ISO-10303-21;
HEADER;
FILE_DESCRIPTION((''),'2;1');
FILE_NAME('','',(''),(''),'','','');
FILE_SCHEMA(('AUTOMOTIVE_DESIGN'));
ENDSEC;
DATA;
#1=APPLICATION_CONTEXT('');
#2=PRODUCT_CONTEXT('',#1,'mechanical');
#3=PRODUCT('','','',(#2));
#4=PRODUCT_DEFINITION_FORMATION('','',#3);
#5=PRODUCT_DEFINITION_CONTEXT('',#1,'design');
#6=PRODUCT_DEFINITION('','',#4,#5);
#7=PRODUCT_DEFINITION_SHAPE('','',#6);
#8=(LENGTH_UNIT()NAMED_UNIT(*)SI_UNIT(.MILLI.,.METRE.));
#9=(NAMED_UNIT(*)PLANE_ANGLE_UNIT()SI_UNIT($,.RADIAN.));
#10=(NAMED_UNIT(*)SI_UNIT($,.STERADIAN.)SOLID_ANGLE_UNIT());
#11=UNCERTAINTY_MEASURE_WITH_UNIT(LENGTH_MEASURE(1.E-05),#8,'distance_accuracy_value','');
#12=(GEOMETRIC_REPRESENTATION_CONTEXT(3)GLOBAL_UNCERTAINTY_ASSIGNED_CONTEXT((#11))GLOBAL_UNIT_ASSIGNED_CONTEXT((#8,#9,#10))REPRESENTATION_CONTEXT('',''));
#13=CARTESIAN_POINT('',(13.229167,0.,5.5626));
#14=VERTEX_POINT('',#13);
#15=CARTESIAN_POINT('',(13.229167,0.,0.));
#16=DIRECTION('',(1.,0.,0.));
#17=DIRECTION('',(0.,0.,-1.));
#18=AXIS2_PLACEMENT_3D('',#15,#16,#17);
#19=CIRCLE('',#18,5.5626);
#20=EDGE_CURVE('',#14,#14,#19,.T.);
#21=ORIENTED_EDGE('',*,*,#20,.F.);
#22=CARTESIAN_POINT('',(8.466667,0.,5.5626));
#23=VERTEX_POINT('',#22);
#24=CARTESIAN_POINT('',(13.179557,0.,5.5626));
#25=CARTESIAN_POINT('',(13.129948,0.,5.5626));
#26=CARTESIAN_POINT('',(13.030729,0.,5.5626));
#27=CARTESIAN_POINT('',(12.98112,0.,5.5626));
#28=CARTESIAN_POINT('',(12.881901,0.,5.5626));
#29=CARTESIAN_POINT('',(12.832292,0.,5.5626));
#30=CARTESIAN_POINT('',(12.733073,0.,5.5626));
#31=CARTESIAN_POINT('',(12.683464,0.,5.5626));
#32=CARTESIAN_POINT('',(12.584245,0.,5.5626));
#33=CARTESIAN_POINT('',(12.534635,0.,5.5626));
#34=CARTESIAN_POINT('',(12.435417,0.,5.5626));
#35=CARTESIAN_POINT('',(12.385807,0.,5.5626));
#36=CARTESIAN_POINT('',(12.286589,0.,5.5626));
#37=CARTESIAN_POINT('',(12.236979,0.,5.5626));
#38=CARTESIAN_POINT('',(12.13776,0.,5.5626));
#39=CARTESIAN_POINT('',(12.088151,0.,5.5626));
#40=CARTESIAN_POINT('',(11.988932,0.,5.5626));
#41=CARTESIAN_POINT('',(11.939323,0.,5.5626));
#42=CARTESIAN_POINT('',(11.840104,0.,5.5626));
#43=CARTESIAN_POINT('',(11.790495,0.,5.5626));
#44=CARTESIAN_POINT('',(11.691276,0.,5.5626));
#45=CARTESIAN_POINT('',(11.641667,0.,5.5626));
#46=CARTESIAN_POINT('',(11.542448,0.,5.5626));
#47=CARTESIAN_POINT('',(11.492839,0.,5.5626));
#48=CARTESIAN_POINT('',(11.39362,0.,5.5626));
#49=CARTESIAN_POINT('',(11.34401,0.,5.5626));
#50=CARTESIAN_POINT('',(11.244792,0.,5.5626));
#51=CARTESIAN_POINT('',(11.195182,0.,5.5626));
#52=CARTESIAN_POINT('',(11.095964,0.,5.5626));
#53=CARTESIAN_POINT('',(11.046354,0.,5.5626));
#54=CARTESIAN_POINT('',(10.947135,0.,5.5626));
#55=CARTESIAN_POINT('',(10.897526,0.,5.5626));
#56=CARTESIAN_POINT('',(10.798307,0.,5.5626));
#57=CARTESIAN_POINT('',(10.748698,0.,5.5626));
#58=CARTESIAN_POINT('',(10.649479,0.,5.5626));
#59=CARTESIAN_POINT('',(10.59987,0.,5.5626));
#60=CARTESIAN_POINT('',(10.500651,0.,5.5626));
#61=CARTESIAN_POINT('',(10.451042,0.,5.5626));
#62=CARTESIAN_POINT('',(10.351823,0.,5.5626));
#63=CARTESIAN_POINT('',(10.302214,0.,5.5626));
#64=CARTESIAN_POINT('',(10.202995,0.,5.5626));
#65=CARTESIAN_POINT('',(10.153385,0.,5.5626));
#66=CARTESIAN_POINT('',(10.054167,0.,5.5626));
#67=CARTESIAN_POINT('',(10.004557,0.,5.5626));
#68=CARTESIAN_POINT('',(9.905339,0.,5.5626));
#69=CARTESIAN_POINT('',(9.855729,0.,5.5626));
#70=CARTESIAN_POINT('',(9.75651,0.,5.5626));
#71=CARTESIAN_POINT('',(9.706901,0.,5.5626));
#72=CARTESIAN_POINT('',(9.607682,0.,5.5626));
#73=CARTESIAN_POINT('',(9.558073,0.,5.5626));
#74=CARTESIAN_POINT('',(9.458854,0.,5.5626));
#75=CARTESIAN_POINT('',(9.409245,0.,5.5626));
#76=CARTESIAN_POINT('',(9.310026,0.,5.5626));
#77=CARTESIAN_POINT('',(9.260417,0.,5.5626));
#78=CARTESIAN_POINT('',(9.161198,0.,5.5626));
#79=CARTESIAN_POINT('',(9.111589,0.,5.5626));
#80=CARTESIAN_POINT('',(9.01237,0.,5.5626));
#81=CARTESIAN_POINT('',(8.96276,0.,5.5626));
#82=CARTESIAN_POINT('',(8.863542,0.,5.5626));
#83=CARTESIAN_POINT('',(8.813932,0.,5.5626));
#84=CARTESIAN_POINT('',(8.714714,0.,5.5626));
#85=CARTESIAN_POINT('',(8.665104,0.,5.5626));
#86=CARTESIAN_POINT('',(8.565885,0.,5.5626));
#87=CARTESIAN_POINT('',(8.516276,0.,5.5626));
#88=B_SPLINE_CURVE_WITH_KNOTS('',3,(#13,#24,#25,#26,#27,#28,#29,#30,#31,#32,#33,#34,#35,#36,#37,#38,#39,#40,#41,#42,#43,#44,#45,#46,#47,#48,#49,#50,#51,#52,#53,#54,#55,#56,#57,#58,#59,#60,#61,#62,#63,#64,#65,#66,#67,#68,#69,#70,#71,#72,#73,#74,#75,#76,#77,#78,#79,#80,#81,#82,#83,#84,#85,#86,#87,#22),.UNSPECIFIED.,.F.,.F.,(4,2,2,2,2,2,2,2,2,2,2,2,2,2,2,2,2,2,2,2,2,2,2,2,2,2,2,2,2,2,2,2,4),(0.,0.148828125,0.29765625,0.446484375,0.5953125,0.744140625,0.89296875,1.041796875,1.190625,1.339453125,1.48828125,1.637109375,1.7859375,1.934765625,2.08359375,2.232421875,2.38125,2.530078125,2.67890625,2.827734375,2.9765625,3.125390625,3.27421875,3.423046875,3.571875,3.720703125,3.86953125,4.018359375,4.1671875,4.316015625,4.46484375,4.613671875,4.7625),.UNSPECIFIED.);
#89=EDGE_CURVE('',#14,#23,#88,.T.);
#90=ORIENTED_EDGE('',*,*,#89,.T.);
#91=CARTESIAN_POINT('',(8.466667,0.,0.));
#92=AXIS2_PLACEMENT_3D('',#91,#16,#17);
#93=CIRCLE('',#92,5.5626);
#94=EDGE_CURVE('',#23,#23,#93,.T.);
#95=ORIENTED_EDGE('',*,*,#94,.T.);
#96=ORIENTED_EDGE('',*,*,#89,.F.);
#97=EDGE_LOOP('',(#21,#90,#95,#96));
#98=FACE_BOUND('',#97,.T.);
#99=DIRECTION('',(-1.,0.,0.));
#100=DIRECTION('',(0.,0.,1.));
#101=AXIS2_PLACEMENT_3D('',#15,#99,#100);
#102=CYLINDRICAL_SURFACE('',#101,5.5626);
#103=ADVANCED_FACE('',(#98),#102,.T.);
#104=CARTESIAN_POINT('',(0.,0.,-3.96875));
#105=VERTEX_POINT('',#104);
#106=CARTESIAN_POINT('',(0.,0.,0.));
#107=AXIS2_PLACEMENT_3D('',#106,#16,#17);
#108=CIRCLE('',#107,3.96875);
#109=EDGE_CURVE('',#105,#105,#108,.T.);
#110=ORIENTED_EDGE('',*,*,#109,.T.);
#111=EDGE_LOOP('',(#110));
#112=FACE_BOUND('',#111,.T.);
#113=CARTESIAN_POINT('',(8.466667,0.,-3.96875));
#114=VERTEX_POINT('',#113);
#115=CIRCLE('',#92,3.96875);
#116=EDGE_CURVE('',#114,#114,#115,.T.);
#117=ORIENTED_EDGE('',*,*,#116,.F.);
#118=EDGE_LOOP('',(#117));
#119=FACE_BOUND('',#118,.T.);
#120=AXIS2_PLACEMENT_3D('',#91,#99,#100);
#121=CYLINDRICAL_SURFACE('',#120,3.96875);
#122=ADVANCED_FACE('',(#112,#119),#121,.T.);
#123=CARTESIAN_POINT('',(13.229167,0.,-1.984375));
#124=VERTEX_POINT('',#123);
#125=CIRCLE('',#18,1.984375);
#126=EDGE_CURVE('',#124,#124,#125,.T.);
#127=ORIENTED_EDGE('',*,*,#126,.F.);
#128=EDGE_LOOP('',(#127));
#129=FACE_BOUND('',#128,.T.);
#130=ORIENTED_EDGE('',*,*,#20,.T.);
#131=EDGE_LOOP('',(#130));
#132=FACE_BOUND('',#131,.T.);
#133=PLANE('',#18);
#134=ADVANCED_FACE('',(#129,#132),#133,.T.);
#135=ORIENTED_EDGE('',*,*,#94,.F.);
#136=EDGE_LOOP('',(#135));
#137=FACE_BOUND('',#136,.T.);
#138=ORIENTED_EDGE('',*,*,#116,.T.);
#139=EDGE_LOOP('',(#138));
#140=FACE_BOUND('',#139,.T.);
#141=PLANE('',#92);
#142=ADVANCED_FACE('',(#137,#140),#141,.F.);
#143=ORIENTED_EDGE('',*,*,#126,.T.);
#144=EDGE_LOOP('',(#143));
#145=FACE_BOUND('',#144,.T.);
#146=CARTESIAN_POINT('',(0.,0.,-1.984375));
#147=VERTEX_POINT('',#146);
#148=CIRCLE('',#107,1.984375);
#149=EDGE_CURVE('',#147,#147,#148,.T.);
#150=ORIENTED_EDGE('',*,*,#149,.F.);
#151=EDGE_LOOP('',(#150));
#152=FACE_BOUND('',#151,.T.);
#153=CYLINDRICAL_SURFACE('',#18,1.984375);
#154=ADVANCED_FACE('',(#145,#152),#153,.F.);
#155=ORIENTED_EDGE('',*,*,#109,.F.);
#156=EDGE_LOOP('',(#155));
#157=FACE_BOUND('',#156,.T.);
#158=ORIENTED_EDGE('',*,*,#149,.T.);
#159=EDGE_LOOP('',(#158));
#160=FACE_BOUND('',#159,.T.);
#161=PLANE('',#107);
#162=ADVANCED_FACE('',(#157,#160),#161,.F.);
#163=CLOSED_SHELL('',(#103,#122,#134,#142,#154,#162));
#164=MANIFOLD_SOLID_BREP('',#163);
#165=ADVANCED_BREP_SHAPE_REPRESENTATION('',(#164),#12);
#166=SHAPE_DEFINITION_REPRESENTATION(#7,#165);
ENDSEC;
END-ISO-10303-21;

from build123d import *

# Parameters (mm, degrees)
SKETCH1_R                           = 3.96875
BOSS_EXTRUDE1_DEPTH                 = 8.466666667
SKETCH2_R                           = 5.5626
BOSS_EXTRUDE2_DEPTH                 = 4.7625
F_5_32_0_15625_DIAMETER_HOLE1_D     = 3.96875
F_5_32_0_15625_DIAMETER_HOLE1_DEPTH = 70.104
F_5_32_0_15625_DIAMETER_HOLE1_TIP   = 1.192332791


with BuildPart() as part:
    # Sketch1 → Boss-Extrude1 (new body)
    with BuildSketch(Plane(origin=(0, 0, 0), x_dir=(0, 0, -1), z_dir=(1, 0, 0))):
        Circle(SKETCH1_R)
    extrude(amount=BOSS_EXTRUDE1_DEPTH)

    # Sketch2 → Boss-Extrude2 (add)
    with BuildSketch(Plane(origin=(8.466666667, 0, 0), x_dir=(0, 0, -1), z_dir=(1, 0, 0))):
        with Locations(Location((0, 0, 0), (0, 0, 180))):
            Circle(SKETCH2_R)
    extrude(amount=BOSS_EXTRUDE2_DEPTH)

    # 5/32 (0.15625) Diameter Hole1
    with Locations(Plane(origin=(13.229166667, 0, 0), x_dir=(0, 0, -1), z_dir=(1, 0, 0))):
        with Locations((0, 0)):
            Hole(F_5_32_0_15625_DIAMETER_HOLE1_D / 2, depth=F_5_32_0_15625_DIAMETER_HOLE1_DEPTH)
            with Locations((0, 0, -(F_5_32_0_15625_DIAMETER_HOLE1_DEPTH + F_5_32_0_15625_DIAMETER_HOLE1_TIP / 2))):  # 118° drill point
                Cone(0, F_5_32_0_15625_DIAMETER_HOLE1_D / 2, F_5_32_0_15625_DIAMETER_HOLE1_TIP, mode=Mode.SUBTRACT)


solid = part.part
